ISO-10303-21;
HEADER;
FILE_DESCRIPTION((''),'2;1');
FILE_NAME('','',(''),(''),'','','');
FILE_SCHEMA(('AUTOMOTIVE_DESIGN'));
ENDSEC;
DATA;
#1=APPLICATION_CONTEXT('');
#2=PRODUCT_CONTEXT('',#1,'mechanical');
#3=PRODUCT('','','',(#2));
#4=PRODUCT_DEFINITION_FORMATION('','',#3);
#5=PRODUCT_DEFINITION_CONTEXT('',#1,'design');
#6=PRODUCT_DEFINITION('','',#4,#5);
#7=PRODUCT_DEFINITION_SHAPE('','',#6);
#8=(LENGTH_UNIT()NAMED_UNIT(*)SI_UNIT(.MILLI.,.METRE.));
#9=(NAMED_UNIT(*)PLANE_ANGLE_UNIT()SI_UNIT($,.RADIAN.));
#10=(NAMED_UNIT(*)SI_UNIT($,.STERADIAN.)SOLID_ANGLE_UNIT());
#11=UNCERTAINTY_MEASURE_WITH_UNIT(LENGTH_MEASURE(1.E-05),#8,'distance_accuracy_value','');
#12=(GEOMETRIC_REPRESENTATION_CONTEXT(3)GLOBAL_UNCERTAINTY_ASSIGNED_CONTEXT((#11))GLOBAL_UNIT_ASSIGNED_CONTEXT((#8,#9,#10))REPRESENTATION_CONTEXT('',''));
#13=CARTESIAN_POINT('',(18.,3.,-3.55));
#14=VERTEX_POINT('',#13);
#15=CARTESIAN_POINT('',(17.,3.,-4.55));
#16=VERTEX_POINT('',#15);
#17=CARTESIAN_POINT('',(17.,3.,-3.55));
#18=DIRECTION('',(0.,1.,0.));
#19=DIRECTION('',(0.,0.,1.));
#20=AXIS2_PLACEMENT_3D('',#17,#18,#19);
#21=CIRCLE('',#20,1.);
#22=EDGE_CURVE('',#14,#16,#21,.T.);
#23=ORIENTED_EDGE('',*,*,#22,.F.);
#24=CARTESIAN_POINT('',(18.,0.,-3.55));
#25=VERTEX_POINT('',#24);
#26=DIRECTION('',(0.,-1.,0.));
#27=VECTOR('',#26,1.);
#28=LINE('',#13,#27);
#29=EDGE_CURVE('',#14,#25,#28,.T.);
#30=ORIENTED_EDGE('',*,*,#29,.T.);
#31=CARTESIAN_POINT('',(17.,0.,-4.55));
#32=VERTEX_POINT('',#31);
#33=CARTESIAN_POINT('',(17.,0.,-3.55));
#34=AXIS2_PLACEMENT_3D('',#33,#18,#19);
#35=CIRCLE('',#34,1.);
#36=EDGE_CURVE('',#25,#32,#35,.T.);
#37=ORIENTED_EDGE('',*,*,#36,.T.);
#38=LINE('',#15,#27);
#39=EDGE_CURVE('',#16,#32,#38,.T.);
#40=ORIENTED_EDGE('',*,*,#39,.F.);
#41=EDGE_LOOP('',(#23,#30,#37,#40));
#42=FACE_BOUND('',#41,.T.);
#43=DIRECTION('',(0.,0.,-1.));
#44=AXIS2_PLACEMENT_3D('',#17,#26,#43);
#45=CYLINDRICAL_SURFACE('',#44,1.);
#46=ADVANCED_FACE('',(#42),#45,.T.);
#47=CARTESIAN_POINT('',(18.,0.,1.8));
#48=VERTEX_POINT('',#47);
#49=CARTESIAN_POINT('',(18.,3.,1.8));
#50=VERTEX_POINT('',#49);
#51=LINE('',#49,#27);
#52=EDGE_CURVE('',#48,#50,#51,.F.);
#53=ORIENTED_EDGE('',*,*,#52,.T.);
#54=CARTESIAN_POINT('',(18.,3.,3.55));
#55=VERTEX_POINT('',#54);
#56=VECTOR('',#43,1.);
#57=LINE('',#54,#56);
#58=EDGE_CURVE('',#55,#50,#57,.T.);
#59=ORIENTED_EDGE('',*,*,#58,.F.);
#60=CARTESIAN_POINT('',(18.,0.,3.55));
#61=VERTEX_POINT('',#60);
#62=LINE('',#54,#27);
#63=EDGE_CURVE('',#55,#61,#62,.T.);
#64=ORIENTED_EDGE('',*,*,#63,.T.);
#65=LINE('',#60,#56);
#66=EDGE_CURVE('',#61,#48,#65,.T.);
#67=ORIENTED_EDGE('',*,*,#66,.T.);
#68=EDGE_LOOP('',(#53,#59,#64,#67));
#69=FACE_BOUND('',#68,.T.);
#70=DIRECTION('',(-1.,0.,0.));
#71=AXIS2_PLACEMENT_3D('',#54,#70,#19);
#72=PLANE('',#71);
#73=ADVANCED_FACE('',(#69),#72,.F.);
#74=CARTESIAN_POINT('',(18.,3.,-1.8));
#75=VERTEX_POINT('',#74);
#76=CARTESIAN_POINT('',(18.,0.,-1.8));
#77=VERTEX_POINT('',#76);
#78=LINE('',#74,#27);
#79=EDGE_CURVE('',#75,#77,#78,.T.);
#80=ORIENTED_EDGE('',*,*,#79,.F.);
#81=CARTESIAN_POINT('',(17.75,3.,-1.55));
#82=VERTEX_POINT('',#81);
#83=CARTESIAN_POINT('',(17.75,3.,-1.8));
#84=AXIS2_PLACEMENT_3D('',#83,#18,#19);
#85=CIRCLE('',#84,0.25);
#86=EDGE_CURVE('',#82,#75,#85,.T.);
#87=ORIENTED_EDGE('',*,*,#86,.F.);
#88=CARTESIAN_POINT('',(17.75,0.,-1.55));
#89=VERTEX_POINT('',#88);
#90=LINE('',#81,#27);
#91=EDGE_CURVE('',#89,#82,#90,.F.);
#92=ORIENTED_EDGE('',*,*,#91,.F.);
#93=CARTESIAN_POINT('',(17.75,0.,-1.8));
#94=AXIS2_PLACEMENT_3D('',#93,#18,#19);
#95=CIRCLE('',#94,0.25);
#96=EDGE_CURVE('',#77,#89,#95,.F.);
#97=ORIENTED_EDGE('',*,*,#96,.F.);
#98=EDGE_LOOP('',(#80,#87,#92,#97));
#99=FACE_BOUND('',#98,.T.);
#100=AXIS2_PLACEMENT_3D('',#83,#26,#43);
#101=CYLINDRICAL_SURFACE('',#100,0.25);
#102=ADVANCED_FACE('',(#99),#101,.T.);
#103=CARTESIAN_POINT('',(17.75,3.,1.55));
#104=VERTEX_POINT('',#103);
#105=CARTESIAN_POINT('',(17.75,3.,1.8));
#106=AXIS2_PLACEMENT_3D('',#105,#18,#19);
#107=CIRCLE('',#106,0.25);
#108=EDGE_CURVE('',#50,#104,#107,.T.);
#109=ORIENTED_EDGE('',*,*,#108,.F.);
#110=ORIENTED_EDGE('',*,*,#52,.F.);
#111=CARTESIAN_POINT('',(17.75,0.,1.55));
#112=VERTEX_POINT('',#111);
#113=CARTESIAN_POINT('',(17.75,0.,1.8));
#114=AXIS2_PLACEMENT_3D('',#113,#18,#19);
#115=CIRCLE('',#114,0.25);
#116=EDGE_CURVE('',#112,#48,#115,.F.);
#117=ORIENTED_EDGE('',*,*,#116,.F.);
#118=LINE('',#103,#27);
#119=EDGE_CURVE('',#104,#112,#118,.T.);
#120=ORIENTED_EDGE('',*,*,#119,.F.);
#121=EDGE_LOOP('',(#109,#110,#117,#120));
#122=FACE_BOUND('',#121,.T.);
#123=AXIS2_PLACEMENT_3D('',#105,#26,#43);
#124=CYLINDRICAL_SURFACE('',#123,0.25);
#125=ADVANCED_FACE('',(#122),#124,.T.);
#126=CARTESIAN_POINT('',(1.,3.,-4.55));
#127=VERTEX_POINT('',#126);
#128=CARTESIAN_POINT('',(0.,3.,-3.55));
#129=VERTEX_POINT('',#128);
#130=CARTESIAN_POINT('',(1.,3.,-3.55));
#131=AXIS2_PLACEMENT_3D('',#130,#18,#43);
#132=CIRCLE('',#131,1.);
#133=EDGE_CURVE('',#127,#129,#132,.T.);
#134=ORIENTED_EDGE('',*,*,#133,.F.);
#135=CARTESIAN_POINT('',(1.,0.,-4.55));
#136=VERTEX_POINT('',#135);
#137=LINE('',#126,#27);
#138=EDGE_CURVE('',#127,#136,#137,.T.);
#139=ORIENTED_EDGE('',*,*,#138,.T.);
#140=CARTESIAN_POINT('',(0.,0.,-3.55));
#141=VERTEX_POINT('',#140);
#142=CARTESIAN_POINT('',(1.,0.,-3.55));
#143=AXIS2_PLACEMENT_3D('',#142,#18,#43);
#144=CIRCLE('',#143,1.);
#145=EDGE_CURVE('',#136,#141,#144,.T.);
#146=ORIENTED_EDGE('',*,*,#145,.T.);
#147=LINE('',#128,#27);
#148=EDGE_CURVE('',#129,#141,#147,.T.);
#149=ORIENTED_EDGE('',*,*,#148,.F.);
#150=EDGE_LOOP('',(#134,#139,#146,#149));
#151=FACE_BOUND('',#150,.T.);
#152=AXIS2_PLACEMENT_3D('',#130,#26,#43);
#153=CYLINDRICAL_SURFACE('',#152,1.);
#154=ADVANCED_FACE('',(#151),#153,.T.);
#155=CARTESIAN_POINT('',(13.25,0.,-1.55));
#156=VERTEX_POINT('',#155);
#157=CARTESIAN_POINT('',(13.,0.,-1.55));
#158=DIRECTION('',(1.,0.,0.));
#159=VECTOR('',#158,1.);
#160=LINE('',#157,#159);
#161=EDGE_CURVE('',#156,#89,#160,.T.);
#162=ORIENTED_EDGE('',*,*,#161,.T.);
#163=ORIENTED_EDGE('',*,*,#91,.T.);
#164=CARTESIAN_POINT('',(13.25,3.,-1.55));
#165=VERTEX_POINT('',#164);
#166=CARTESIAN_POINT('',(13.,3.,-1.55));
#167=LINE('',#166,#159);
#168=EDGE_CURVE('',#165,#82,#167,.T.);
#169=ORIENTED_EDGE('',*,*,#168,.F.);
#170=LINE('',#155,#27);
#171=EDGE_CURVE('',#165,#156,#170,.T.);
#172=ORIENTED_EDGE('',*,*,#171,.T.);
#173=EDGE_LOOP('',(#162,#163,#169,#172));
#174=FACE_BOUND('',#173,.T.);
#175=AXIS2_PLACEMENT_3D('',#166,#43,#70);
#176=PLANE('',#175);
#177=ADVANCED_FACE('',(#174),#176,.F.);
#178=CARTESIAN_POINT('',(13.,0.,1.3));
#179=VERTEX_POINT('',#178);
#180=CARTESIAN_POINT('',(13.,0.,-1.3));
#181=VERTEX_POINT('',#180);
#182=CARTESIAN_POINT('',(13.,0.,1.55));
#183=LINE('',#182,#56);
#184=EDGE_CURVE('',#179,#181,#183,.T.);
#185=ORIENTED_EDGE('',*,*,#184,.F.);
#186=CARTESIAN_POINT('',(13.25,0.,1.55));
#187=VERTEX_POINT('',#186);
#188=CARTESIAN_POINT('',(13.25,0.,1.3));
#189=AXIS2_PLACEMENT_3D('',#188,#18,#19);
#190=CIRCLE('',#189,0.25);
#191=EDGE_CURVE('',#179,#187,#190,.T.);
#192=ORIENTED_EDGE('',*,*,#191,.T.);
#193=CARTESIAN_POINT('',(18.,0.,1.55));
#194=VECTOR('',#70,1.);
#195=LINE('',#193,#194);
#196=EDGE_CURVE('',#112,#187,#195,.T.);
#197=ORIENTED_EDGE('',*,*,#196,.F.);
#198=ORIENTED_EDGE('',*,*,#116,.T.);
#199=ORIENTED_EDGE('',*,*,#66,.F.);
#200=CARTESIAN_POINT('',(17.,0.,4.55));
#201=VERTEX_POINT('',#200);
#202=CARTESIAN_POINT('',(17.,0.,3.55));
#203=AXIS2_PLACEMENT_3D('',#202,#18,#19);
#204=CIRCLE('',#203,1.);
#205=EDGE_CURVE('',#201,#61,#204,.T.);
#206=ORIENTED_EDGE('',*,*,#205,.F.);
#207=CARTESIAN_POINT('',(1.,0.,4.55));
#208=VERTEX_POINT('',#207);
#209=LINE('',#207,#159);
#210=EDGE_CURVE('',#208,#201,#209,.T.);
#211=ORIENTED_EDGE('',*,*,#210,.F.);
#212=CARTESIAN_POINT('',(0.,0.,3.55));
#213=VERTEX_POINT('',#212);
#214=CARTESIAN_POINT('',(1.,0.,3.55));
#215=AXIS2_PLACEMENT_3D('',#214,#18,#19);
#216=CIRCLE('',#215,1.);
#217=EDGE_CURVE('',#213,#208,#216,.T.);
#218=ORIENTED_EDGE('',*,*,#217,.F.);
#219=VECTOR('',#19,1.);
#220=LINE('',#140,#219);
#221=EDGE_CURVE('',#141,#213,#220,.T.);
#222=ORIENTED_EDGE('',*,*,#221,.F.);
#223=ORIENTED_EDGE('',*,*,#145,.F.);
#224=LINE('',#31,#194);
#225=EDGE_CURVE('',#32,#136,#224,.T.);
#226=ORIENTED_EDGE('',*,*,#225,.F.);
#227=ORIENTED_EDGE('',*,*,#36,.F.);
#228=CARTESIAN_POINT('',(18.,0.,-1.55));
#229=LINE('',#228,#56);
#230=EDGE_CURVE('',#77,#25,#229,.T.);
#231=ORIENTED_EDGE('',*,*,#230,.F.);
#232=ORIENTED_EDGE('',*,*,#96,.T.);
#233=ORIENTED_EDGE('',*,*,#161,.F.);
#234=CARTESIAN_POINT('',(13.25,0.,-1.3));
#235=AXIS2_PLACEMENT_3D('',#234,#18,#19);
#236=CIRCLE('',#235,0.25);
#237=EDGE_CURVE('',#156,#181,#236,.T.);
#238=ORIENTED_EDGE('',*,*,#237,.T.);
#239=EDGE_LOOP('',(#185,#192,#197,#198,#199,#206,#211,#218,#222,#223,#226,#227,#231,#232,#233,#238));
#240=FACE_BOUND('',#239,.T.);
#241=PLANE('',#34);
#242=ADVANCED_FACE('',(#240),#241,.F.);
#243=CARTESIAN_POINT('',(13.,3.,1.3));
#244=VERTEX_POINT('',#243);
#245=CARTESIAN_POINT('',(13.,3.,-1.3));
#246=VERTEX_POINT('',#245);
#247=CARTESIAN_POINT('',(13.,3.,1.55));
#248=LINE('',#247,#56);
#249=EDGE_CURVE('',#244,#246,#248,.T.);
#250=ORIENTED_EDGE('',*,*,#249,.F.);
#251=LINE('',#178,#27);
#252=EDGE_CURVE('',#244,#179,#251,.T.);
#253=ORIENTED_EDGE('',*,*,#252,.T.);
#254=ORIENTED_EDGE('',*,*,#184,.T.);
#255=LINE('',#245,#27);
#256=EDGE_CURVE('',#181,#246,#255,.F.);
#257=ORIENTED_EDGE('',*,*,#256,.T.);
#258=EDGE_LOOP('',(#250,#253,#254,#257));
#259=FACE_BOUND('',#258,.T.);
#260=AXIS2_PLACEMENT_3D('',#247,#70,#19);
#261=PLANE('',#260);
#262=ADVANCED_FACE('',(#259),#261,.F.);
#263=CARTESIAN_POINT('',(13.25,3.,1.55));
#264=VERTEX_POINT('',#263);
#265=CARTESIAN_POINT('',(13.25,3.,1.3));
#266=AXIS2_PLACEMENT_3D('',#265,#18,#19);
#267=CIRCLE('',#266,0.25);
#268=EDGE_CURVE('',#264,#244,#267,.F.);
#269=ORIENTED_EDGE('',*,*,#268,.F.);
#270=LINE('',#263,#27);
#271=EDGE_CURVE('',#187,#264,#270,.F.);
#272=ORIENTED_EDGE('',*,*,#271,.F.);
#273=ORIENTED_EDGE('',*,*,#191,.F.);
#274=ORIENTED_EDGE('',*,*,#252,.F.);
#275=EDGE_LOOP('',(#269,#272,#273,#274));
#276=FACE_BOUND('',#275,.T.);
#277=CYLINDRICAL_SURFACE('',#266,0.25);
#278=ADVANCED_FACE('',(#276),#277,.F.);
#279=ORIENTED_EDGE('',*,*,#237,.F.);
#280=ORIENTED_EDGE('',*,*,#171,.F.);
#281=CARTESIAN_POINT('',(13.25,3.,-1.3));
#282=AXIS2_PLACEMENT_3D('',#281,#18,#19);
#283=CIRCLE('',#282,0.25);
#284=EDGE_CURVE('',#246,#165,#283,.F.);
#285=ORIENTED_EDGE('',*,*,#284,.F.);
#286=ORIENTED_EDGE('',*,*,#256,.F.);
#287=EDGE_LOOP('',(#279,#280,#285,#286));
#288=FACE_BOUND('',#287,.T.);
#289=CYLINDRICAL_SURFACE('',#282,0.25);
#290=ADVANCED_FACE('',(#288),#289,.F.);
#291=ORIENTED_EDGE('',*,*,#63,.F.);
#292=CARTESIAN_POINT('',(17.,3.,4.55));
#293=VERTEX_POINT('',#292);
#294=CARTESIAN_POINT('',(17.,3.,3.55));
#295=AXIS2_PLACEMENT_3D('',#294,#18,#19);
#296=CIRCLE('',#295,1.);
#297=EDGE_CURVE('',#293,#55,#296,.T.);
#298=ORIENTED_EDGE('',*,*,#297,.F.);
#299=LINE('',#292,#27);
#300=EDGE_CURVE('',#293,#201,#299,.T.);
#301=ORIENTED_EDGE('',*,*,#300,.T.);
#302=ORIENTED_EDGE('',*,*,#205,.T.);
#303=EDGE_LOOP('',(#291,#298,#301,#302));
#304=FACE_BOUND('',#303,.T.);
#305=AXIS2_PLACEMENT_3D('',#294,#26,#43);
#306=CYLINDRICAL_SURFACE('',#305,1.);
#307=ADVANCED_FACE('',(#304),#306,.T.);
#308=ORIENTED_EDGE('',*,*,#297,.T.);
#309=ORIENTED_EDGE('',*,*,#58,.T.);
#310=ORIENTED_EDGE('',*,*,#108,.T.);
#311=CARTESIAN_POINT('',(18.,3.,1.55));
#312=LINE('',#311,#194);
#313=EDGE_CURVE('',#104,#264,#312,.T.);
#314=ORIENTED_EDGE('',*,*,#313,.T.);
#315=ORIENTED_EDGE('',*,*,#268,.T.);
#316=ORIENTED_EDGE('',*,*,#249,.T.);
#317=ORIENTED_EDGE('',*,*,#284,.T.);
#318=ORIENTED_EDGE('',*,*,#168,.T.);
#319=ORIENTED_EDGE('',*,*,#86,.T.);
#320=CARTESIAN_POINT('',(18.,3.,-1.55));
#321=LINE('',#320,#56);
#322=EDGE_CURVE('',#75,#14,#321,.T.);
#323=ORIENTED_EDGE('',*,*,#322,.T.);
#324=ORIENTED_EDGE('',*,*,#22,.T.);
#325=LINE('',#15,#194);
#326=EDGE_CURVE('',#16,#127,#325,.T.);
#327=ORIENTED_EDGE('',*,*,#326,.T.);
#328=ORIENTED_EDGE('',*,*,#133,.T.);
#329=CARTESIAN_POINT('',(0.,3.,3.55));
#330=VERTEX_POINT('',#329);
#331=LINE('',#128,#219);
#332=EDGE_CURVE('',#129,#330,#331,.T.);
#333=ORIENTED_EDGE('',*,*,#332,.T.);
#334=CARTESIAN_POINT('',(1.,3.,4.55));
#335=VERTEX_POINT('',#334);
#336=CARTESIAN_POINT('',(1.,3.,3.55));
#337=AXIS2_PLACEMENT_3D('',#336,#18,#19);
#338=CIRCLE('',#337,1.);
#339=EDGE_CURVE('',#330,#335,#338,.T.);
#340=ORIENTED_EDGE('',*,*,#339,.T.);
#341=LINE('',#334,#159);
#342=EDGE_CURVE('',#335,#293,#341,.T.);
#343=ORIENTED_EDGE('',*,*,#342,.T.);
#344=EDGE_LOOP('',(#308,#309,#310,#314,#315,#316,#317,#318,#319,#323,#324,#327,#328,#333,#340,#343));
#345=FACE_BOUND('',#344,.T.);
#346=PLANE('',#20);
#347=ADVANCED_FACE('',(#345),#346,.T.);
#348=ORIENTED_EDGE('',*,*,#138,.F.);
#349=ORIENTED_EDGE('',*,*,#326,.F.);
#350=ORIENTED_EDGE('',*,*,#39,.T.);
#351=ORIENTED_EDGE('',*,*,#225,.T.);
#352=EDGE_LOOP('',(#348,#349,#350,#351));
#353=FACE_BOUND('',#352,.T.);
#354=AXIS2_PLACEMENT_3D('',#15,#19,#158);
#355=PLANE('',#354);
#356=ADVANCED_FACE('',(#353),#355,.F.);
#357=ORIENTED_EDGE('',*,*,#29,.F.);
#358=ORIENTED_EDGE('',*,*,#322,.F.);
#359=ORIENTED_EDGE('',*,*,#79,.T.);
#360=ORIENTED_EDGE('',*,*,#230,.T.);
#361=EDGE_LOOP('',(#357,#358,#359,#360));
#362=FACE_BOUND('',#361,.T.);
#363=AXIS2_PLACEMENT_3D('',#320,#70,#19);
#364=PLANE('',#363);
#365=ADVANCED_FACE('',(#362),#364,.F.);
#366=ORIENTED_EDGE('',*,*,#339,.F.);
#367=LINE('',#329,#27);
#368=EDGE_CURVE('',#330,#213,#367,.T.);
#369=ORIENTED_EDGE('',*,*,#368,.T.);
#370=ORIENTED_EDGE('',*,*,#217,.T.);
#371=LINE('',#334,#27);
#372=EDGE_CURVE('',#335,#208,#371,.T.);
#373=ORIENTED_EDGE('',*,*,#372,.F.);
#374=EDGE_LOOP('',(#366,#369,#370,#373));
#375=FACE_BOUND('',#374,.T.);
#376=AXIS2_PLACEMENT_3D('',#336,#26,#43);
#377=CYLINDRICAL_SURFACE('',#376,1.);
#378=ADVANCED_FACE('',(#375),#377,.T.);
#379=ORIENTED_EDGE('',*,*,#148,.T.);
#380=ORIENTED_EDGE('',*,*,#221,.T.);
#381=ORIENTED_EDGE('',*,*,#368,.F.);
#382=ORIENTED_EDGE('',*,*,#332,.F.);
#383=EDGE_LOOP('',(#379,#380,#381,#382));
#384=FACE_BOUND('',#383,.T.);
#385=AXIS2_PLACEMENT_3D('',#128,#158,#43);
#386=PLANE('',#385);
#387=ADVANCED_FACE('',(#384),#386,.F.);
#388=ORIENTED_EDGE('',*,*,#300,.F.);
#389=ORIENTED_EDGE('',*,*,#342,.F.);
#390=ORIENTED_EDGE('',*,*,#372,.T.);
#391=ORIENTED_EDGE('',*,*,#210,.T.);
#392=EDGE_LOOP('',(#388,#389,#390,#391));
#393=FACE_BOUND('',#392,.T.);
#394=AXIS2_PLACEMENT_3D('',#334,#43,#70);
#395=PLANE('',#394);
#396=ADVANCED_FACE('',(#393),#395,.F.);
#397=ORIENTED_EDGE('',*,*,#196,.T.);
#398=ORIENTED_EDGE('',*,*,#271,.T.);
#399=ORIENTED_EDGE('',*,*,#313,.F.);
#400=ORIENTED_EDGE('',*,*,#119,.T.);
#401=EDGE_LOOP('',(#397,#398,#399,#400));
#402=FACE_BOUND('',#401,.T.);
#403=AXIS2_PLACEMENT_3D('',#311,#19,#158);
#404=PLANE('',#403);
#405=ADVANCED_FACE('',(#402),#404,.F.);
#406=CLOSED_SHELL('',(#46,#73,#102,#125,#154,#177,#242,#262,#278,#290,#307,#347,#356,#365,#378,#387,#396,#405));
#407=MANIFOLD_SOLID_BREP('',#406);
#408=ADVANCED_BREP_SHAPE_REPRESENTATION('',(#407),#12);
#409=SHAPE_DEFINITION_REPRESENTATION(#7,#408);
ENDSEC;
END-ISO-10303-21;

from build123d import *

# Parameters (mm, degrees)
SALIENTE_EXTRUIR1_DEPTH = 3
REDONDEO1_R             = 0.25


with BuildPart() as part:
    # Croquis1 → Saliente-Extruir1 (new body)
    with BuildSketch(Plane(origin=(0, 0, 0), x_dir=(1, 0, 0), z_dir=(0, 1, 0))):
        with BuildLine():
            Line((0, 3.55), (0, -3.55))
            ThreePointArc((0, -3.55), (0.292893219, -4.257106781), (1, -4.55))
            Line((1, -4.55), (17, -4.55))
            ThreePointArc((17, -4.55), (17.707106781, -4.257106781), (18, -3.55))
            Line((18, -3.55), (18, -1.55))
            Line((18, -1.55), (13, -1.55))
            Line((13, -1.55), (13, 1.55))
            Line((13, 1.55), (18, 1.55))
            Line((18, 1.55), (18, 3.55))
            ThreePointArc((18, 3.55), (17.707106781, 4.257106781), (17, 4.55))
            Line((17, 4.55), (1, 4.55))
            ThreePointArc((1, 4.55), (0.292893219, 4.257106781), (0, 3.55))
        make_face()
    extrude(amount=SALIENTE_EXTRUIR1_DEPTH)

    # Redondeo1
    redondeo1_edges = [part.edges().sort_by_distance(p)[0] for p in [
        (18, 1.5, -1.55),
        (13, 1.5, -1.55),
        (13, 1.5, 1.55),
        (18, 1.5, 1.55),
    ]]
    fillet(redondeo1_edges, radius=REDONDEO1_R)


solid = part.part
